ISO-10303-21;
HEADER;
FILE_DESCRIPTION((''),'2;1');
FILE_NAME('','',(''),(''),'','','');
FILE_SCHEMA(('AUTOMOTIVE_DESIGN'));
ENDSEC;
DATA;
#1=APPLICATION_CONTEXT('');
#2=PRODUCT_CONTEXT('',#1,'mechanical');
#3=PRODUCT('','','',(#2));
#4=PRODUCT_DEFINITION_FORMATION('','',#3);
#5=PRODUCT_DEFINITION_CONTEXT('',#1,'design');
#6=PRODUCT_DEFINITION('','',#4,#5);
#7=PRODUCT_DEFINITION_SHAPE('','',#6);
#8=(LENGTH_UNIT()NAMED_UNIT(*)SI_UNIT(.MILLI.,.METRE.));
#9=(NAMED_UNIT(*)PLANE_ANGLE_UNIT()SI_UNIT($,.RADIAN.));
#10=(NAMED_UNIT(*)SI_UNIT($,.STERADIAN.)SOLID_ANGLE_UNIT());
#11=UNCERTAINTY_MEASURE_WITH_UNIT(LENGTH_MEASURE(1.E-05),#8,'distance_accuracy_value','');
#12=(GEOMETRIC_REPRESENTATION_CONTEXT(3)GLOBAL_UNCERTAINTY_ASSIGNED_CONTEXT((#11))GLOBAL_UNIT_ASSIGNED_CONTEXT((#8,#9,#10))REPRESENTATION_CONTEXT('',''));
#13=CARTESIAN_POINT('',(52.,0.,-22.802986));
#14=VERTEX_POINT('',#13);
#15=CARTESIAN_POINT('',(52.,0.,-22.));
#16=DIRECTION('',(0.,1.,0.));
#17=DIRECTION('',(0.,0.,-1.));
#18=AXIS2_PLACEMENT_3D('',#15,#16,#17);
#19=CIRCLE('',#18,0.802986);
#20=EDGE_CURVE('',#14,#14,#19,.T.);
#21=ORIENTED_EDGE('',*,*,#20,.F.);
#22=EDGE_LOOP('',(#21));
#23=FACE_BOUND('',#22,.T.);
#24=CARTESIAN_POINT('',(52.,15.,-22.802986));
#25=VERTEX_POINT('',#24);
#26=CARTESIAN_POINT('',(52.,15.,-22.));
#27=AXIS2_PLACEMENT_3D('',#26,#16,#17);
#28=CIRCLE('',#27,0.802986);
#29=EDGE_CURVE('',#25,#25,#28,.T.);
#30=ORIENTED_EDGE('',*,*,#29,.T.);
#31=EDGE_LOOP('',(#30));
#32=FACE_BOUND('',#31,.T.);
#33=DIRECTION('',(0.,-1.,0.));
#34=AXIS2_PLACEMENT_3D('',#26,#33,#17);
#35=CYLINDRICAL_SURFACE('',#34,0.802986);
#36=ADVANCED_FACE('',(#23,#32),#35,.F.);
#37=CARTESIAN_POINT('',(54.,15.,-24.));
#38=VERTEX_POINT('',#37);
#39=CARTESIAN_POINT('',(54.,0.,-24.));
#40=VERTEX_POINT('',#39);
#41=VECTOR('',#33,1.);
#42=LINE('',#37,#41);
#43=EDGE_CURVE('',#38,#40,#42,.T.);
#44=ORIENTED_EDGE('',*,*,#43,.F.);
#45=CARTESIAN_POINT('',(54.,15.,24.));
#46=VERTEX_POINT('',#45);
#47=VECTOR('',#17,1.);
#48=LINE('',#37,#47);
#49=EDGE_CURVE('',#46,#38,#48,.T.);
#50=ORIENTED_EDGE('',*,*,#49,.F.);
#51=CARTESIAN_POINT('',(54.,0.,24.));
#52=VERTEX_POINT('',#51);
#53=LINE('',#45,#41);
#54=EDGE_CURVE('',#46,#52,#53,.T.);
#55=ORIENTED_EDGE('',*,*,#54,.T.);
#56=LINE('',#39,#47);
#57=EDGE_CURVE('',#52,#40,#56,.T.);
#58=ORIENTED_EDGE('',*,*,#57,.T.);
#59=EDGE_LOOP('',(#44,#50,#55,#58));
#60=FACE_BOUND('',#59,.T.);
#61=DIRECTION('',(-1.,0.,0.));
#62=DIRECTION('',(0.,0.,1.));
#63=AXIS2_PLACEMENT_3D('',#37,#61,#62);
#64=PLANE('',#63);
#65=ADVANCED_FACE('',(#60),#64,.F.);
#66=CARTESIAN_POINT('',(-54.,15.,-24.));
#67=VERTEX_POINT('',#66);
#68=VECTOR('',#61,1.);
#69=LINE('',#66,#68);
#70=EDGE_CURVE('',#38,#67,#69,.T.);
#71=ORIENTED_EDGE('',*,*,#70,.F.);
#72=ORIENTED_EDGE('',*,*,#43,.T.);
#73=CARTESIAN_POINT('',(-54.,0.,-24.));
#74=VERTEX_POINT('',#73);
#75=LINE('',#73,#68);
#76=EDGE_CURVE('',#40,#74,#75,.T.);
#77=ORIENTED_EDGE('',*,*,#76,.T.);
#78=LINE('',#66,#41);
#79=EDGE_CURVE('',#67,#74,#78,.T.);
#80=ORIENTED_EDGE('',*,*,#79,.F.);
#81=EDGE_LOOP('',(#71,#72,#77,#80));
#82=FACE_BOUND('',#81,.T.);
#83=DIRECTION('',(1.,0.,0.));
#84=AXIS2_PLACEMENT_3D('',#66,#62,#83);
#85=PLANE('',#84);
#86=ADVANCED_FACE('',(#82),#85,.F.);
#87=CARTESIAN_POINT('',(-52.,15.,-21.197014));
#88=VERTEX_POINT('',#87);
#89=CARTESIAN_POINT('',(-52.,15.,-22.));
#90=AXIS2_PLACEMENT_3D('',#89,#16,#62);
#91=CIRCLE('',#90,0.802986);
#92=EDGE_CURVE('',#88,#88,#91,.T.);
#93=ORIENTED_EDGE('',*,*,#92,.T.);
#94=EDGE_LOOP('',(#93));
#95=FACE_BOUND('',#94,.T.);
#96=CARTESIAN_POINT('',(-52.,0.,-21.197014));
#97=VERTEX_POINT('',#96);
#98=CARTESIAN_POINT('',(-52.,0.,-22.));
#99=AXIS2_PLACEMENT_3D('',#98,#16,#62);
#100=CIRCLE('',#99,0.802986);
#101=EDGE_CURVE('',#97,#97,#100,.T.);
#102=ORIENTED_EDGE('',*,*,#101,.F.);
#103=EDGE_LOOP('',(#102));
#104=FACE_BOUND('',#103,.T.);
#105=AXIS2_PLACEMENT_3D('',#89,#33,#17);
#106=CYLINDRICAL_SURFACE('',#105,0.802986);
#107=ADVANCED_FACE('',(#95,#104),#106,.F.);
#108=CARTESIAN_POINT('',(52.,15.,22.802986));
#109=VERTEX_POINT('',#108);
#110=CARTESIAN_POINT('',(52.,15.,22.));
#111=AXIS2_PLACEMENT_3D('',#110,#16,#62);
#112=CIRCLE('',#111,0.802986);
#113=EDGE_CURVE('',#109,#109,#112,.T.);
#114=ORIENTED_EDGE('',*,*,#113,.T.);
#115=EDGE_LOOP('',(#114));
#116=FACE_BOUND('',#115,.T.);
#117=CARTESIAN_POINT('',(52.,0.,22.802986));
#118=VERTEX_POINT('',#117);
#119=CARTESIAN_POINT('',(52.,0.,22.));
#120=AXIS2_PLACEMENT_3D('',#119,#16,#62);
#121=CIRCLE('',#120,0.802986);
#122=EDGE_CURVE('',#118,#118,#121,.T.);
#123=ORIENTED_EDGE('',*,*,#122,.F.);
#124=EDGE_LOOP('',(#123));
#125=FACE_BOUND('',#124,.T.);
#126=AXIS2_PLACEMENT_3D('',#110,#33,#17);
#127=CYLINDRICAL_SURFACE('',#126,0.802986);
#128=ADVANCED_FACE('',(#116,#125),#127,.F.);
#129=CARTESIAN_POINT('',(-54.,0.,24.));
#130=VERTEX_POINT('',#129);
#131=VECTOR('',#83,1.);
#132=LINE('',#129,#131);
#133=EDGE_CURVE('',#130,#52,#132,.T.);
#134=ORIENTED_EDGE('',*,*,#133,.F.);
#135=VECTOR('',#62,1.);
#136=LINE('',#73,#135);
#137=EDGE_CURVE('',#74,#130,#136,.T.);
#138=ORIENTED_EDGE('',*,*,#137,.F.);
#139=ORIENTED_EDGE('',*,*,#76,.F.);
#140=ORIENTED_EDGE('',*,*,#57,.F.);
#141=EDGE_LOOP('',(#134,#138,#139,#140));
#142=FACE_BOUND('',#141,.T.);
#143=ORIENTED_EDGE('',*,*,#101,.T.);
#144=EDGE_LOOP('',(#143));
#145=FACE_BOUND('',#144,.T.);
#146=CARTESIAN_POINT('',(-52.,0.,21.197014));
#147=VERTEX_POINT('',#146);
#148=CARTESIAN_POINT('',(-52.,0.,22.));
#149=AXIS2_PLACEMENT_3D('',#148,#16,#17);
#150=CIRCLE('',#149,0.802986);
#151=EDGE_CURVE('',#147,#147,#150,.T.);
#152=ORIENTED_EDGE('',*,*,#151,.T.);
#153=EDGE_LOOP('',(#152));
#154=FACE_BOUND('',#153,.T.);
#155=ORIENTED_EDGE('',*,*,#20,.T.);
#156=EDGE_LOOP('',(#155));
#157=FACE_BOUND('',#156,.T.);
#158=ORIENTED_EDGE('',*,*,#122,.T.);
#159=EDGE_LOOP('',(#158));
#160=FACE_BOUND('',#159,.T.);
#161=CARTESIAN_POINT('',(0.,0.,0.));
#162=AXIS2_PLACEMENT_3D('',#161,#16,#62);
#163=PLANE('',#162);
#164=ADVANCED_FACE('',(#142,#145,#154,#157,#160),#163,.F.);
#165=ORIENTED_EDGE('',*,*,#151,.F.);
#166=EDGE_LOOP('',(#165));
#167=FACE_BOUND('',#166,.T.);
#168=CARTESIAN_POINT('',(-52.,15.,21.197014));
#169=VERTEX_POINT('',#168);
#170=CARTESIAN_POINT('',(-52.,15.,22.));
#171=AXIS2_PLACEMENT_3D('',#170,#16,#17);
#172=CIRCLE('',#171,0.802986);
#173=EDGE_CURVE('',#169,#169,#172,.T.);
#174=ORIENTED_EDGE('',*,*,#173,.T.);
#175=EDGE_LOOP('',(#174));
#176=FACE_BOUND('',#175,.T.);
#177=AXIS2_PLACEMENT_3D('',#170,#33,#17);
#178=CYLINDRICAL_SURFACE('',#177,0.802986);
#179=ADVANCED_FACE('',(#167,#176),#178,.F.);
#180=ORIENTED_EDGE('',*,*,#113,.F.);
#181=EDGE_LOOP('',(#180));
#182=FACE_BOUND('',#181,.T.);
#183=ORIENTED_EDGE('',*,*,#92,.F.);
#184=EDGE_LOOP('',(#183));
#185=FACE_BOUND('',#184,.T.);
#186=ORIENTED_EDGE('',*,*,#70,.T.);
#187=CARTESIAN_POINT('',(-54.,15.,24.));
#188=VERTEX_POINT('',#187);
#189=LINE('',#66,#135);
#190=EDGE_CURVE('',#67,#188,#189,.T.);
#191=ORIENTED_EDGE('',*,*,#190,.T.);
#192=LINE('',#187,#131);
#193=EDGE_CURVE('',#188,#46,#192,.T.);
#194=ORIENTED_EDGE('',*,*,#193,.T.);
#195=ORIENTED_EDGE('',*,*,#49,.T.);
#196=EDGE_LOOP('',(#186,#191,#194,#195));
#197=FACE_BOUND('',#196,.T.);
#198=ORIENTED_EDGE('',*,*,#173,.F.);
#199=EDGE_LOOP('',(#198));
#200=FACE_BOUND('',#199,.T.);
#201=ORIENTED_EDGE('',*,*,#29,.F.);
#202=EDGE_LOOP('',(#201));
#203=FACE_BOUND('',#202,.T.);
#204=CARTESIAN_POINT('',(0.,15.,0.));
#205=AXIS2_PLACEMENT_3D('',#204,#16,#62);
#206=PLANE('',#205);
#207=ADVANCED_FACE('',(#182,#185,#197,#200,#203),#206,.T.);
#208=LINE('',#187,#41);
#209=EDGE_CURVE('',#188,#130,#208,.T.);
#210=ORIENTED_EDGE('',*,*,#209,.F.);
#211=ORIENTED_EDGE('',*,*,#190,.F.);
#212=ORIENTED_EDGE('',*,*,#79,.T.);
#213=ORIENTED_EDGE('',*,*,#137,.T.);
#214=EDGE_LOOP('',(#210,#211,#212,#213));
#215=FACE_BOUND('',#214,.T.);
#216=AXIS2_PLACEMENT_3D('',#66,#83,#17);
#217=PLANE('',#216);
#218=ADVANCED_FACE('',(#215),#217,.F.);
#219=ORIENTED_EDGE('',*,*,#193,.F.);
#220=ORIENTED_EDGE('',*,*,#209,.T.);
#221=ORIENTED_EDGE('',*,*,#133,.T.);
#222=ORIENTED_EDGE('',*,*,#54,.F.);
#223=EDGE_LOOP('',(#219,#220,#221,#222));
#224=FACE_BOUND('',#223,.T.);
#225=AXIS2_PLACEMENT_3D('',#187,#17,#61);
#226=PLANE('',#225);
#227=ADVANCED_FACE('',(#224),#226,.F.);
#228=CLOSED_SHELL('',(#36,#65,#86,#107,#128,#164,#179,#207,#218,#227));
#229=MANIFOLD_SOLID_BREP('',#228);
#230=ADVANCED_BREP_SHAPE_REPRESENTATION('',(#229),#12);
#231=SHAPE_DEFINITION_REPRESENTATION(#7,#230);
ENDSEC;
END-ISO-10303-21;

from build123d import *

# Parameters (mm, degrees)
SKETCH_1_W      = 108
SKETCH_1_H      = 48
SKETCH_1_R      = 0.802985819
EXTRUDE_1_DEPTH = 15


with BuildPart() as part:
    # 草图1 → 凸台-拉伸1 (new body)
    with BuildSketch(Plane(origin=(0, 0, 0), x_dir=(1, 0, 0), z_dir=(0, 1, 0))):
        Rectangle(SKETCH_1_W, SKETCH_1_H)
        with Locations(Location((-52, 22, 0), (0, 0, 270))):
            Circle(SKETCH_1_R, mode=Mode.SUBTRACT)
        with Locations(Location((-52, -22, 0), (0, 0, 90))):
            Circle(SKETCH_1_R, mode=Mode.SUBTRACT)
        with Locations(Location((52, -22, 0), (0, 0, 270))):
            Circle(SKETCH_1_R, mode=Mode.SUBTRACT)
        with Locations(Location((52, 22, 0), (0, 0, 90))):
            Circle(SKETCH_1_R, mode=Mode.SUBTRACT)
    extrude(amount=EXTRUDE_1_DEPTH)


solid = part.part
